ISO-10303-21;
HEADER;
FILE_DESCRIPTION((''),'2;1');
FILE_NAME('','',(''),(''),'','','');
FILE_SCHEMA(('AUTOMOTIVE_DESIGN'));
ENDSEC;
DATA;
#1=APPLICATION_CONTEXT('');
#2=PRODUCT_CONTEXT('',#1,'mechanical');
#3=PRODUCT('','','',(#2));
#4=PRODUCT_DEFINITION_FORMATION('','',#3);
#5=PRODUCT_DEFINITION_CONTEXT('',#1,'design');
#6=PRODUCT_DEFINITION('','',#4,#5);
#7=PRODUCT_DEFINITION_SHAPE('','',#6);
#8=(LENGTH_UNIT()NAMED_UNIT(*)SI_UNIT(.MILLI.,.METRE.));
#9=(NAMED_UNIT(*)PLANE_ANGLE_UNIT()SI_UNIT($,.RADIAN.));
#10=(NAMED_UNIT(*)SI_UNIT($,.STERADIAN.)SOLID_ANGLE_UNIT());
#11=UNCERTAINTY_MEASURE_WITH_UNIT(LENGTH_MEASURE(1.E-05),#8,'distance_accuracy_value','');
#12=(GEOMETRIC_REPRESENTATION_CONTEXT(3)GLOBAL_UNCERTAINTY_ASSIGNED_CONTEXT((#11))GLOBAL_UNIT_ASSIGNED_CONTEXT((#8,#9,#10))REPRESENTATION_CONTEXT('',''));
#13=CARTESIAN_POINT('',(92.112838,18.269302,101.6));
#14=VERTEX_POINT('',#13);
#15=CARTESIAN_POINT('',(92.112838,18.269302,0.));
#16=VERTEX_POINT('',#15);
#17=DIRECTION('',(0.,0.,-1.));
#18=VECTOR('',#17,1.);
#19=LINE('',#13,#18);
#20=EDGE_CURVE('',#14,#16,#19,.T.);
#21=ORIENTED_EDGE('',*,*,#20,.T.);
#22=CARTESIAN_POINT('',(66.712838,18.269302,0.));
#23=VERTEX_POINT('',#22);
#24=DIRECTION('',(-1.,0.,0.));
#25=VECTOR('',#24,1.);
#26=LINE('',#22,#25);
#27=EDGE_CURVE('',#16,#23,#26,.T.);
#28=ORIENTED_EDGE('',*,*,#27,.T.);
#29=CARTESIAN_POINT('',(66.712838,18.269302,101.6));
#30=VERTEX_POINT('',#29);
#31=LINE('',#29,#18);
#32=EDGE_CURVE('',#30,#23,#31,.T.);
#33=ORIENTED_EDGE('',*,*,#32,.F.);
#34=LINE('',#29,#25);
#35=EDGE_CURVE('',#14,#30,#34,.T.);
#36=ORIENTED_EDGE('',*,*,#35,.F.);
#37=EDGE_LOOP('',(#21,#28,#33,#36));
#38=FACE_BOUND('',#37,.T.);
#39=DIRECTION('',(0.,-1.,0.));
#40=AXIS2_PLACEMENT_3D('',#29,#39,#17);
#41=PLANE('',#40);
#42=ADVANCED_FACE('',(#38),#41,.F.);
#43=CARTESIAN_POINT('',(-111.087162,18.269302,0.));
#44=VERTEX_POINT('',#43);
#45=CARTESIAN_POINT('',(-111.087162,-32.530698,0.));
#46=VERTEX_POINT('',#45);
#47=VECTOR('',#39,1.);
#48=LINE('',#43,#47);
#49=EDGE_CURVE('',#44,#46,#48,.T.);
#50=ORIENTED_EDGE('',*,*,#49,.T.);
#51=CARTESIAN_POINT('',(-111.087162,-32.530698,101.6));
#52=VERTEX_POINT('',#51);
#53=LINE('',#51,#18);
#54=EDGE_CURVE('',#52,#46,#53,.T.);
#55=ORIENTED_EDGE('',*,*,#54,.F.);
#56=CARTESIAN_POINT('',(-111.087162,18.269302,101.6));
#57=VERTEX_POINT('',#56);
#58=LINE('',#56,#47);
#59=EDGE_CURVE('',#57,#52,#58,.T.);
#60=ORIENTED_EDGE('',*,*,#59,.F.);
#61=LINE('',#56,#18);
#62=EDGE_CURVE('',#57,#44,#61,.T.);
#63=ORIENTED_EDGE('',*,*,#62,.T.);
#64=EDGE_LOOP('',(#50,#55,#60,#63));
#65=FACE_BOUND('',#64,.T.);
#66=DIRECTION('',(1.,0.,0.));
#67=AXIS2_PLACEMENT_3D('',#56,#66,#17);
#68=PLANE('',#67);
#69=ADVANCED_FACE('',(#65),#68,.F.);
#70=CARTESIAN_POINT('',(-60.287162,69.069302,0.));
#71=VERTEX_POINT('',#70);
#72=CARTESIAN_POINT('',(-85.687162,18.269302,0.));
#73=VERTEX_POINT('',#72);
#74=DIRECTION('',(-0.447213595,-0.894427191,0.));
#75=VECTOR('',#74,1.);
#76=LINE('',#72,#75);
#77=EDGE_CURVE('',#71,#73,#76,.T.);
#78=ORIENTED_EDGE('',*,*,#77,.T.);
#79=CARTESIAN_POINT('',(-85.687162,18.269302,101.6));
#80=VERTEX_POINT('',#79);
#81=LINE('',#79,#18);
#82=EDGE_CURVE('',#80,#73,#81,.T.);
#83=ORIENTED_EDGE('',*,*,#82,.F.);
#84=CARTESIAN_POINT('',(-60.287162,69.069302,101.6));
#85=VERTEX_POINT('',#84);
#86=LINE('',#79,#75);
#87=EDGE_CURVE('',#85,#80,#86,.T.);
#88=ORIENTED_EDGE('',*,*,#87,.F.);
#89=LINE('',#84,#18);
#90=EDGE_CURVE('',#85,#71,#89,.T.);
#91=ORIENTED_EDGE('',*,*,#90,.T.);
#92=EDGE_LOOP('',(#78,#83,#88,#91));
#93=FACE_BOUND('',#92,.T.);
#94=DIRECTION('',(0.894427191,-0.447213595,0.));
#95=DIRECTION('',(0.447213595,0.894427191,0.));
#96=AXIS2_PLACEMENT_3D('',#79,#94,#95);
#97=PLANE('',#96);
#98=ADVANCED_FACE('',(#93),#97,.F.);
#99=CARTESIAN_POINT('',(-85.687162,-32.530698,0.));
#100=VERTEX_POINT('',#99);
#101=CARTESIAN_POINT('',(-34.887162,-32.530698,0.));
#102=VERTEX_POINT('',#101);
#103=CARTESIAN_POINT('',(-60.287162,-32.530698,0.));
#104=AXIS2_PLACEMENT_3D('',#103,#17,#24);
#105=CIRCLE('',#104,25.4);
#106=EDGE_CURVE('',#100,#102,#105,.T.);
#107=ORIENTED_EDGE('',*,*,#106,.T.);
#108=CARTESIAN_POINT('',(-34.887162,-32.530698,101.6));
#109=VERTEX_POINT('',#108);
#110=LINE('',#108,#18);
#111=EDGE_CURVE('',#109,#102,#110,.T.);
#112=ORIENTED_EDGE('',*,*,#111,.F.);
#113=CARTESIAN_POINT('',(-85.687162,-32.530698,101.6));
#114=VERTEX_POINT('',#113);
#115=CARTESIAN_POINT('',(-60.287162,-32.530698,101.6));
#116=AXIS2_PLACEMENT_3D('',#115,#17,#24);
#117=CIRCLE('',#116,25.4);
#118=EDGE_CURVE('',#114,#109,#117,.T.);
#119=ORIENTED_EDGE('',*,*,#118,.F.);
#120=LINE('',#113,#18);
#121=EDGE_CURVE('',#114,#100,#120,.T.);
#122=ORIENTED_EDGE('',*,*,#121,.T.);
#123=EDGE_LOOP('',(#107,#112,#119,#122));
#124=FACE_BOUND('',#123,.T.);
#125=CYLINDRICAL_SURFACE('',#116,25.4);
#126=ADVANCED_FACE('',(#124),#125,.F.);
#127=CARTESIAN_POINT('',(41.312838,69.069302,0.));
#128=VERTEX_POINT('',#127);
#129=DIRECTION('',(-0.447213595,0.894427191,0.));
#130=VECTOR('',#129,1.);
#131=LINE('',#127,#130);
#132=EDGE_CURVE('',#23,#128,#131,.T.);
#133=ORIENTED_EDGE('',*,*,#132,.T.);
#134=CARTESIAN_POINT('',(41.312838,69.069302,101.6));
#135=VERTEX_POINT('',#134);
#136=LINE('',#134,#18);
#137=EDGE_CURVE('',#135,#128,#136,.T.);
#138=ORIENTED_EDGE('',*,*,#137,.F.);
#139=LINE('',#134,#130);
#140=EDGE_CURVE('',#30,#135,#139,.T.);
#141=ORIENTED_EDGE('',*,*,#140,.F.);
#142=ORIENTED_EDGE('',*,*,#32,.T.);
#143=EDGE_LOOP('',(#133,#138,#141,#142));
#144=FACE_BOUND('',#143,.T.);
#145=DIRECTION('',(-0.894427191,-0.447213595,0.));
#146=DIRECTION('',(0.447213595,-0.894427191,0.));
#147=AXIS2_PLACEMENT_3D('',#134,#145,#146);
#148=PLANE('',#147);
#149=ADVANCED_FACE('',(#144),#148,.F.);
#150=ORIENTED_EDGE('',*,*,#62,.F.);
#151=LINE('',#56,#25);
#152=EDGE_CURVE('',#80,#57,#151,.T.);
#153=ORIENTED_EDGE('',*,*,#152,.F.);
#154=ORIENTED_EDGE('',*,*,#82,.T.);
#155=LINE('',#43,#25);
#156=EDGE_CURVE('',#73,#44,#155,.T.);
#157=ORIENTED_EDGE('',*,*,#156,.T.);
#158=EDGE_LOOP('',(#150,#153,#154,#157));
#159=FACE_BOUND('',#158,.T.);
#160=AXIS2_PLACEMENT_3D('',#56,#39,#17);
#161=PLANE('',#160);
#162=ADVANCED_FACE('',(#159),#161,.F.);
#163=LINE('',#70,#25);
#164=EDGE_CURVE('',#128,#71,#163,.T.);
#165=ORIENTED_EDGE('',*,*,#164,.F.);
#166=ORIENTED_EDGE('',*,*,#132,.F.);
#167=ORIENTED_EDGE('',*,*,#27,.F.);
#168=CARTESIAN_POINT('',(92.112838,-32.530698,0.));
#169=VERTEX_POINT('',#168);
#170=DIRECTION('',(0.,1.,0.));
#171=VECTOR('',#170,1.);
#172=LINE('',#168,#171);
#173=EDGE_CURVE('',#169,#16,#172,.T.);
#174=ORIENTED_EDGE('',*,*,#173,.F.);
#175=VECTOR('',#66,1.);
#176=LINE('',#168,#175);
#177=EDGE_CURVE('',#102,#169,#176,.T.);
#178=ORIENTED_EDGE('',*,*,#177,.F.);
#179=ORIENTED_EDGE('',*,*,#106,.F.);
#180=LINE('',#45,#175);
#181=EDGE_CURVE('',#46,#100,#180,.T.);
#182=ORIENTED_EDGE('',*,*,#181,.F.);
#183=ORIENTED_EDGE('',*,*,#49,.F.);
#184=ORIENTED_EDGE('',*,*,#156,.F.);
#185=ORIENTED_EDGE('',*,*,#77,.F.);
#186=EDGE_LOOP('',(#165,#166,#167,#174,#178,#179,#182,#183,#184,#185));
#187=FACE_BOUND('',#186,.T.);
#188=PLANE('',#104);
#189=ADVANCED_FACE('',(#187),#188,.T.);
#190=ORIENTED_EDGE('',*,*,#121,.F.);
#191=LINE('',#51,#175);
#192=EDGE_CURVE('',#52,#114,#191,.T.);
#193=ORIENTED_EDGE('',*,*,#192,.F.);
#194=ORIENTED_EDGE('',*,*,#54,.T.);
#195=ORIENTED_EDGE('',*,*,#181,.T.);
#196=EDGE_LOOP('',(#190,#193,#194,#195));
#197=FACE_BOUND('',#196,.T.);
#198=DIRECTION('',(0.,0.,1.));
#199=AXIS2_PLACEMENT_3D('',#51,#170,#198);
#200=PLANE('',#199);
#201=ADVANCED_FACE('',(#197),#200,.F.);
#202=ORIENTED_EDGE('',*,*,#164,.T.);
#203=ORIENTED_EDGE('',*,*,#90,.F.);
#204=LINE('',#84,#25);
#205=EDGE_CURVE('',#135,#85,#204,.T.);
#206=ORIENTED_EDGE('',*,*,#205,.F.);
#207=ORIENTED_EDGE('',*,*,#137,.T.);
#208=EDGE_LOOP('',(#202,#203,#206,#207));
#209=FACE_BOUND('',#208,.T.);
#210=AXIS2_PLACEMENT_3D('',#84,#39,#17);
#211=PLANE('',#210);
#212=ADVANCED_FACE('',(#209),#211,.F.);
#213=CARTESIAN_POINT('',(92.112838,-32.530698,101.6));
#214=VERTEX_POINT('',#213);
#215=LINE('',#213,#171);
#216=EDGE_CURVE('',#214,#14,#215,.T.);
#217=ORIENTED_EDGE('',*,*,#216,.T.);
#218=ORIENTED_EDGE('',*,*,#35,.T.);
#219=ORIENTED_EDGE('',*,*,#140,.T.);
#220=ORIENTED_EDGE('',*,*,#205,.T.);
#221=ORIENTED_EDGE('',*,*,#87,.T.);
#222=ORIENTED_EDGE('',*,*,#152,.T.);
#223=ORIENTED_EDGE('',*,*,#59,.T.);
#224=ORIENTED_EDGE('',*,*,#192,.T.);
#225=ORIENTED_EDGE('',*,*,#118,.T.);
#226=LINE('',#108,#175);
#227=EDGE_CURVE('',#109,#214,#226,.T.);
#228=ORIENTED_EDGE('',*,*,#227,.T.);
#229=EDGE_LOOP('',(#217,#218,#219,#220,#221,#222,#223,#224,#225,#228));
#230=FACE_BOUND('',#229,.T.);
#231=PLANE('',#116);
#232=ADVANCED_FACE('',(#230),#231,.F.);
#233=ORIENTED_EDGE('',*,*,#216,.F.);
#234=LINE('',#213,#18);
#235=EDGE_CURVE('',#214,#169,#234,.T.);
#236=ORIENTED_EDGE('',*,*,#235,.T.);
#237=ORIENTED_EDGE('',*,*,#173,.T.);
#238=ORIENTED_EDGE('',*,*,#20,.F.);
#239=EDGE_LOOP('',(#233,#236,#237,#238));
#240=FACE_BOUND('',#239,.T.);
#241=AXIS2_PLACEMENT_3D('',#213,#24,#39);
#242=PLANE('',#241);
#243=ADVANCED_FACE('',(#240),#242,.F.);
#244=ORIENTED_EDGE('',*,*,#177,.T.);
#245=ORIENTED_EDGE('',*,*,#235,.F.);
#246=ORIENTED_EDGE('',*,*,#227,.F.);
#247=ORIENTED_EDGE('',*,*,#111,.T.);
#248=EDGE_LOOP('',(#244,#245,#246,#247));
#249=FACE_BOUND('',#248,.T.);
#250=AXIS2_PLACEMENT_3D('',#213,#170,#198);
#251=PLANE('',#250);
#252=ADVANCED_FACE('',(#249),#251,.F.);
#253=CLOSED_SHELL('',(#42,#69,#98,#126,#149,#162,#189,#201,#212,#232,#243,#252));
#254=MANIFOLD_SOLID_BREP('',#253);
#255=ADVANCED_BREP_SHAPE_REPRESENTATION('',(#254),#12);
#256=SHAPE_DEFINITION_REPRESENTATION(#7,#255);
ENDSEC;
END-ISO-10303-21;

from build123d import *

# Parameters (mm, degrees)
BOSS_EXTRUDE1_DEPTH = 101.6


with BuildPart() as part:
    # Sketch1 → Boss-Extrude1 (new body)
    with BuildSketch(Plane.XY):
        with BuildLine():
            Line((-111.087162468, 18.269301554), (-111.087162468, -32.530698446))
            Line((-111.087162468, -32.530698446), (-85.687162468, -32.530698446))
            ThreePointArc((-85.687162468, -32.530698446), (-78.24767471, -14.570186204), (-60.287162468, -7.130698446))
            ThreePointArc((-60.287162468, -7.130698446), (-42.326650226, -14.570186204), (-34.887162468, -32.530698446))
            Line((-34.887162468, -32.530698446), (15.912837532, -32.530698446))
            Line((15.912837532, -32.530698446), (66.712837532, -32.530698446))
            Line((66.712837532, -32.530698446), (92.112837532, -32.530698446))
            Line((92.112837532, -32.530698446), (92.112837532, 18.269301554))
            Line((92.112837532, 18.269301554), (66.712837532, 18.269301554))
            Line((66.712837532, 18.269301554), (41.312837532, 69.069301554))
            Line((41.312837532, 69.069301554), (-60.287162468, 69.069301554))
            Line((-60.287162468, 69.069301554), (-85.687162468, 18.269301554))
            Line((-85.687162468, 18.269301554), (-111.087162468, 18.269301554))
        make_face()
    extrude(amount=BOSS_EXTRUDE1_DEPTH)


solid = part.part
